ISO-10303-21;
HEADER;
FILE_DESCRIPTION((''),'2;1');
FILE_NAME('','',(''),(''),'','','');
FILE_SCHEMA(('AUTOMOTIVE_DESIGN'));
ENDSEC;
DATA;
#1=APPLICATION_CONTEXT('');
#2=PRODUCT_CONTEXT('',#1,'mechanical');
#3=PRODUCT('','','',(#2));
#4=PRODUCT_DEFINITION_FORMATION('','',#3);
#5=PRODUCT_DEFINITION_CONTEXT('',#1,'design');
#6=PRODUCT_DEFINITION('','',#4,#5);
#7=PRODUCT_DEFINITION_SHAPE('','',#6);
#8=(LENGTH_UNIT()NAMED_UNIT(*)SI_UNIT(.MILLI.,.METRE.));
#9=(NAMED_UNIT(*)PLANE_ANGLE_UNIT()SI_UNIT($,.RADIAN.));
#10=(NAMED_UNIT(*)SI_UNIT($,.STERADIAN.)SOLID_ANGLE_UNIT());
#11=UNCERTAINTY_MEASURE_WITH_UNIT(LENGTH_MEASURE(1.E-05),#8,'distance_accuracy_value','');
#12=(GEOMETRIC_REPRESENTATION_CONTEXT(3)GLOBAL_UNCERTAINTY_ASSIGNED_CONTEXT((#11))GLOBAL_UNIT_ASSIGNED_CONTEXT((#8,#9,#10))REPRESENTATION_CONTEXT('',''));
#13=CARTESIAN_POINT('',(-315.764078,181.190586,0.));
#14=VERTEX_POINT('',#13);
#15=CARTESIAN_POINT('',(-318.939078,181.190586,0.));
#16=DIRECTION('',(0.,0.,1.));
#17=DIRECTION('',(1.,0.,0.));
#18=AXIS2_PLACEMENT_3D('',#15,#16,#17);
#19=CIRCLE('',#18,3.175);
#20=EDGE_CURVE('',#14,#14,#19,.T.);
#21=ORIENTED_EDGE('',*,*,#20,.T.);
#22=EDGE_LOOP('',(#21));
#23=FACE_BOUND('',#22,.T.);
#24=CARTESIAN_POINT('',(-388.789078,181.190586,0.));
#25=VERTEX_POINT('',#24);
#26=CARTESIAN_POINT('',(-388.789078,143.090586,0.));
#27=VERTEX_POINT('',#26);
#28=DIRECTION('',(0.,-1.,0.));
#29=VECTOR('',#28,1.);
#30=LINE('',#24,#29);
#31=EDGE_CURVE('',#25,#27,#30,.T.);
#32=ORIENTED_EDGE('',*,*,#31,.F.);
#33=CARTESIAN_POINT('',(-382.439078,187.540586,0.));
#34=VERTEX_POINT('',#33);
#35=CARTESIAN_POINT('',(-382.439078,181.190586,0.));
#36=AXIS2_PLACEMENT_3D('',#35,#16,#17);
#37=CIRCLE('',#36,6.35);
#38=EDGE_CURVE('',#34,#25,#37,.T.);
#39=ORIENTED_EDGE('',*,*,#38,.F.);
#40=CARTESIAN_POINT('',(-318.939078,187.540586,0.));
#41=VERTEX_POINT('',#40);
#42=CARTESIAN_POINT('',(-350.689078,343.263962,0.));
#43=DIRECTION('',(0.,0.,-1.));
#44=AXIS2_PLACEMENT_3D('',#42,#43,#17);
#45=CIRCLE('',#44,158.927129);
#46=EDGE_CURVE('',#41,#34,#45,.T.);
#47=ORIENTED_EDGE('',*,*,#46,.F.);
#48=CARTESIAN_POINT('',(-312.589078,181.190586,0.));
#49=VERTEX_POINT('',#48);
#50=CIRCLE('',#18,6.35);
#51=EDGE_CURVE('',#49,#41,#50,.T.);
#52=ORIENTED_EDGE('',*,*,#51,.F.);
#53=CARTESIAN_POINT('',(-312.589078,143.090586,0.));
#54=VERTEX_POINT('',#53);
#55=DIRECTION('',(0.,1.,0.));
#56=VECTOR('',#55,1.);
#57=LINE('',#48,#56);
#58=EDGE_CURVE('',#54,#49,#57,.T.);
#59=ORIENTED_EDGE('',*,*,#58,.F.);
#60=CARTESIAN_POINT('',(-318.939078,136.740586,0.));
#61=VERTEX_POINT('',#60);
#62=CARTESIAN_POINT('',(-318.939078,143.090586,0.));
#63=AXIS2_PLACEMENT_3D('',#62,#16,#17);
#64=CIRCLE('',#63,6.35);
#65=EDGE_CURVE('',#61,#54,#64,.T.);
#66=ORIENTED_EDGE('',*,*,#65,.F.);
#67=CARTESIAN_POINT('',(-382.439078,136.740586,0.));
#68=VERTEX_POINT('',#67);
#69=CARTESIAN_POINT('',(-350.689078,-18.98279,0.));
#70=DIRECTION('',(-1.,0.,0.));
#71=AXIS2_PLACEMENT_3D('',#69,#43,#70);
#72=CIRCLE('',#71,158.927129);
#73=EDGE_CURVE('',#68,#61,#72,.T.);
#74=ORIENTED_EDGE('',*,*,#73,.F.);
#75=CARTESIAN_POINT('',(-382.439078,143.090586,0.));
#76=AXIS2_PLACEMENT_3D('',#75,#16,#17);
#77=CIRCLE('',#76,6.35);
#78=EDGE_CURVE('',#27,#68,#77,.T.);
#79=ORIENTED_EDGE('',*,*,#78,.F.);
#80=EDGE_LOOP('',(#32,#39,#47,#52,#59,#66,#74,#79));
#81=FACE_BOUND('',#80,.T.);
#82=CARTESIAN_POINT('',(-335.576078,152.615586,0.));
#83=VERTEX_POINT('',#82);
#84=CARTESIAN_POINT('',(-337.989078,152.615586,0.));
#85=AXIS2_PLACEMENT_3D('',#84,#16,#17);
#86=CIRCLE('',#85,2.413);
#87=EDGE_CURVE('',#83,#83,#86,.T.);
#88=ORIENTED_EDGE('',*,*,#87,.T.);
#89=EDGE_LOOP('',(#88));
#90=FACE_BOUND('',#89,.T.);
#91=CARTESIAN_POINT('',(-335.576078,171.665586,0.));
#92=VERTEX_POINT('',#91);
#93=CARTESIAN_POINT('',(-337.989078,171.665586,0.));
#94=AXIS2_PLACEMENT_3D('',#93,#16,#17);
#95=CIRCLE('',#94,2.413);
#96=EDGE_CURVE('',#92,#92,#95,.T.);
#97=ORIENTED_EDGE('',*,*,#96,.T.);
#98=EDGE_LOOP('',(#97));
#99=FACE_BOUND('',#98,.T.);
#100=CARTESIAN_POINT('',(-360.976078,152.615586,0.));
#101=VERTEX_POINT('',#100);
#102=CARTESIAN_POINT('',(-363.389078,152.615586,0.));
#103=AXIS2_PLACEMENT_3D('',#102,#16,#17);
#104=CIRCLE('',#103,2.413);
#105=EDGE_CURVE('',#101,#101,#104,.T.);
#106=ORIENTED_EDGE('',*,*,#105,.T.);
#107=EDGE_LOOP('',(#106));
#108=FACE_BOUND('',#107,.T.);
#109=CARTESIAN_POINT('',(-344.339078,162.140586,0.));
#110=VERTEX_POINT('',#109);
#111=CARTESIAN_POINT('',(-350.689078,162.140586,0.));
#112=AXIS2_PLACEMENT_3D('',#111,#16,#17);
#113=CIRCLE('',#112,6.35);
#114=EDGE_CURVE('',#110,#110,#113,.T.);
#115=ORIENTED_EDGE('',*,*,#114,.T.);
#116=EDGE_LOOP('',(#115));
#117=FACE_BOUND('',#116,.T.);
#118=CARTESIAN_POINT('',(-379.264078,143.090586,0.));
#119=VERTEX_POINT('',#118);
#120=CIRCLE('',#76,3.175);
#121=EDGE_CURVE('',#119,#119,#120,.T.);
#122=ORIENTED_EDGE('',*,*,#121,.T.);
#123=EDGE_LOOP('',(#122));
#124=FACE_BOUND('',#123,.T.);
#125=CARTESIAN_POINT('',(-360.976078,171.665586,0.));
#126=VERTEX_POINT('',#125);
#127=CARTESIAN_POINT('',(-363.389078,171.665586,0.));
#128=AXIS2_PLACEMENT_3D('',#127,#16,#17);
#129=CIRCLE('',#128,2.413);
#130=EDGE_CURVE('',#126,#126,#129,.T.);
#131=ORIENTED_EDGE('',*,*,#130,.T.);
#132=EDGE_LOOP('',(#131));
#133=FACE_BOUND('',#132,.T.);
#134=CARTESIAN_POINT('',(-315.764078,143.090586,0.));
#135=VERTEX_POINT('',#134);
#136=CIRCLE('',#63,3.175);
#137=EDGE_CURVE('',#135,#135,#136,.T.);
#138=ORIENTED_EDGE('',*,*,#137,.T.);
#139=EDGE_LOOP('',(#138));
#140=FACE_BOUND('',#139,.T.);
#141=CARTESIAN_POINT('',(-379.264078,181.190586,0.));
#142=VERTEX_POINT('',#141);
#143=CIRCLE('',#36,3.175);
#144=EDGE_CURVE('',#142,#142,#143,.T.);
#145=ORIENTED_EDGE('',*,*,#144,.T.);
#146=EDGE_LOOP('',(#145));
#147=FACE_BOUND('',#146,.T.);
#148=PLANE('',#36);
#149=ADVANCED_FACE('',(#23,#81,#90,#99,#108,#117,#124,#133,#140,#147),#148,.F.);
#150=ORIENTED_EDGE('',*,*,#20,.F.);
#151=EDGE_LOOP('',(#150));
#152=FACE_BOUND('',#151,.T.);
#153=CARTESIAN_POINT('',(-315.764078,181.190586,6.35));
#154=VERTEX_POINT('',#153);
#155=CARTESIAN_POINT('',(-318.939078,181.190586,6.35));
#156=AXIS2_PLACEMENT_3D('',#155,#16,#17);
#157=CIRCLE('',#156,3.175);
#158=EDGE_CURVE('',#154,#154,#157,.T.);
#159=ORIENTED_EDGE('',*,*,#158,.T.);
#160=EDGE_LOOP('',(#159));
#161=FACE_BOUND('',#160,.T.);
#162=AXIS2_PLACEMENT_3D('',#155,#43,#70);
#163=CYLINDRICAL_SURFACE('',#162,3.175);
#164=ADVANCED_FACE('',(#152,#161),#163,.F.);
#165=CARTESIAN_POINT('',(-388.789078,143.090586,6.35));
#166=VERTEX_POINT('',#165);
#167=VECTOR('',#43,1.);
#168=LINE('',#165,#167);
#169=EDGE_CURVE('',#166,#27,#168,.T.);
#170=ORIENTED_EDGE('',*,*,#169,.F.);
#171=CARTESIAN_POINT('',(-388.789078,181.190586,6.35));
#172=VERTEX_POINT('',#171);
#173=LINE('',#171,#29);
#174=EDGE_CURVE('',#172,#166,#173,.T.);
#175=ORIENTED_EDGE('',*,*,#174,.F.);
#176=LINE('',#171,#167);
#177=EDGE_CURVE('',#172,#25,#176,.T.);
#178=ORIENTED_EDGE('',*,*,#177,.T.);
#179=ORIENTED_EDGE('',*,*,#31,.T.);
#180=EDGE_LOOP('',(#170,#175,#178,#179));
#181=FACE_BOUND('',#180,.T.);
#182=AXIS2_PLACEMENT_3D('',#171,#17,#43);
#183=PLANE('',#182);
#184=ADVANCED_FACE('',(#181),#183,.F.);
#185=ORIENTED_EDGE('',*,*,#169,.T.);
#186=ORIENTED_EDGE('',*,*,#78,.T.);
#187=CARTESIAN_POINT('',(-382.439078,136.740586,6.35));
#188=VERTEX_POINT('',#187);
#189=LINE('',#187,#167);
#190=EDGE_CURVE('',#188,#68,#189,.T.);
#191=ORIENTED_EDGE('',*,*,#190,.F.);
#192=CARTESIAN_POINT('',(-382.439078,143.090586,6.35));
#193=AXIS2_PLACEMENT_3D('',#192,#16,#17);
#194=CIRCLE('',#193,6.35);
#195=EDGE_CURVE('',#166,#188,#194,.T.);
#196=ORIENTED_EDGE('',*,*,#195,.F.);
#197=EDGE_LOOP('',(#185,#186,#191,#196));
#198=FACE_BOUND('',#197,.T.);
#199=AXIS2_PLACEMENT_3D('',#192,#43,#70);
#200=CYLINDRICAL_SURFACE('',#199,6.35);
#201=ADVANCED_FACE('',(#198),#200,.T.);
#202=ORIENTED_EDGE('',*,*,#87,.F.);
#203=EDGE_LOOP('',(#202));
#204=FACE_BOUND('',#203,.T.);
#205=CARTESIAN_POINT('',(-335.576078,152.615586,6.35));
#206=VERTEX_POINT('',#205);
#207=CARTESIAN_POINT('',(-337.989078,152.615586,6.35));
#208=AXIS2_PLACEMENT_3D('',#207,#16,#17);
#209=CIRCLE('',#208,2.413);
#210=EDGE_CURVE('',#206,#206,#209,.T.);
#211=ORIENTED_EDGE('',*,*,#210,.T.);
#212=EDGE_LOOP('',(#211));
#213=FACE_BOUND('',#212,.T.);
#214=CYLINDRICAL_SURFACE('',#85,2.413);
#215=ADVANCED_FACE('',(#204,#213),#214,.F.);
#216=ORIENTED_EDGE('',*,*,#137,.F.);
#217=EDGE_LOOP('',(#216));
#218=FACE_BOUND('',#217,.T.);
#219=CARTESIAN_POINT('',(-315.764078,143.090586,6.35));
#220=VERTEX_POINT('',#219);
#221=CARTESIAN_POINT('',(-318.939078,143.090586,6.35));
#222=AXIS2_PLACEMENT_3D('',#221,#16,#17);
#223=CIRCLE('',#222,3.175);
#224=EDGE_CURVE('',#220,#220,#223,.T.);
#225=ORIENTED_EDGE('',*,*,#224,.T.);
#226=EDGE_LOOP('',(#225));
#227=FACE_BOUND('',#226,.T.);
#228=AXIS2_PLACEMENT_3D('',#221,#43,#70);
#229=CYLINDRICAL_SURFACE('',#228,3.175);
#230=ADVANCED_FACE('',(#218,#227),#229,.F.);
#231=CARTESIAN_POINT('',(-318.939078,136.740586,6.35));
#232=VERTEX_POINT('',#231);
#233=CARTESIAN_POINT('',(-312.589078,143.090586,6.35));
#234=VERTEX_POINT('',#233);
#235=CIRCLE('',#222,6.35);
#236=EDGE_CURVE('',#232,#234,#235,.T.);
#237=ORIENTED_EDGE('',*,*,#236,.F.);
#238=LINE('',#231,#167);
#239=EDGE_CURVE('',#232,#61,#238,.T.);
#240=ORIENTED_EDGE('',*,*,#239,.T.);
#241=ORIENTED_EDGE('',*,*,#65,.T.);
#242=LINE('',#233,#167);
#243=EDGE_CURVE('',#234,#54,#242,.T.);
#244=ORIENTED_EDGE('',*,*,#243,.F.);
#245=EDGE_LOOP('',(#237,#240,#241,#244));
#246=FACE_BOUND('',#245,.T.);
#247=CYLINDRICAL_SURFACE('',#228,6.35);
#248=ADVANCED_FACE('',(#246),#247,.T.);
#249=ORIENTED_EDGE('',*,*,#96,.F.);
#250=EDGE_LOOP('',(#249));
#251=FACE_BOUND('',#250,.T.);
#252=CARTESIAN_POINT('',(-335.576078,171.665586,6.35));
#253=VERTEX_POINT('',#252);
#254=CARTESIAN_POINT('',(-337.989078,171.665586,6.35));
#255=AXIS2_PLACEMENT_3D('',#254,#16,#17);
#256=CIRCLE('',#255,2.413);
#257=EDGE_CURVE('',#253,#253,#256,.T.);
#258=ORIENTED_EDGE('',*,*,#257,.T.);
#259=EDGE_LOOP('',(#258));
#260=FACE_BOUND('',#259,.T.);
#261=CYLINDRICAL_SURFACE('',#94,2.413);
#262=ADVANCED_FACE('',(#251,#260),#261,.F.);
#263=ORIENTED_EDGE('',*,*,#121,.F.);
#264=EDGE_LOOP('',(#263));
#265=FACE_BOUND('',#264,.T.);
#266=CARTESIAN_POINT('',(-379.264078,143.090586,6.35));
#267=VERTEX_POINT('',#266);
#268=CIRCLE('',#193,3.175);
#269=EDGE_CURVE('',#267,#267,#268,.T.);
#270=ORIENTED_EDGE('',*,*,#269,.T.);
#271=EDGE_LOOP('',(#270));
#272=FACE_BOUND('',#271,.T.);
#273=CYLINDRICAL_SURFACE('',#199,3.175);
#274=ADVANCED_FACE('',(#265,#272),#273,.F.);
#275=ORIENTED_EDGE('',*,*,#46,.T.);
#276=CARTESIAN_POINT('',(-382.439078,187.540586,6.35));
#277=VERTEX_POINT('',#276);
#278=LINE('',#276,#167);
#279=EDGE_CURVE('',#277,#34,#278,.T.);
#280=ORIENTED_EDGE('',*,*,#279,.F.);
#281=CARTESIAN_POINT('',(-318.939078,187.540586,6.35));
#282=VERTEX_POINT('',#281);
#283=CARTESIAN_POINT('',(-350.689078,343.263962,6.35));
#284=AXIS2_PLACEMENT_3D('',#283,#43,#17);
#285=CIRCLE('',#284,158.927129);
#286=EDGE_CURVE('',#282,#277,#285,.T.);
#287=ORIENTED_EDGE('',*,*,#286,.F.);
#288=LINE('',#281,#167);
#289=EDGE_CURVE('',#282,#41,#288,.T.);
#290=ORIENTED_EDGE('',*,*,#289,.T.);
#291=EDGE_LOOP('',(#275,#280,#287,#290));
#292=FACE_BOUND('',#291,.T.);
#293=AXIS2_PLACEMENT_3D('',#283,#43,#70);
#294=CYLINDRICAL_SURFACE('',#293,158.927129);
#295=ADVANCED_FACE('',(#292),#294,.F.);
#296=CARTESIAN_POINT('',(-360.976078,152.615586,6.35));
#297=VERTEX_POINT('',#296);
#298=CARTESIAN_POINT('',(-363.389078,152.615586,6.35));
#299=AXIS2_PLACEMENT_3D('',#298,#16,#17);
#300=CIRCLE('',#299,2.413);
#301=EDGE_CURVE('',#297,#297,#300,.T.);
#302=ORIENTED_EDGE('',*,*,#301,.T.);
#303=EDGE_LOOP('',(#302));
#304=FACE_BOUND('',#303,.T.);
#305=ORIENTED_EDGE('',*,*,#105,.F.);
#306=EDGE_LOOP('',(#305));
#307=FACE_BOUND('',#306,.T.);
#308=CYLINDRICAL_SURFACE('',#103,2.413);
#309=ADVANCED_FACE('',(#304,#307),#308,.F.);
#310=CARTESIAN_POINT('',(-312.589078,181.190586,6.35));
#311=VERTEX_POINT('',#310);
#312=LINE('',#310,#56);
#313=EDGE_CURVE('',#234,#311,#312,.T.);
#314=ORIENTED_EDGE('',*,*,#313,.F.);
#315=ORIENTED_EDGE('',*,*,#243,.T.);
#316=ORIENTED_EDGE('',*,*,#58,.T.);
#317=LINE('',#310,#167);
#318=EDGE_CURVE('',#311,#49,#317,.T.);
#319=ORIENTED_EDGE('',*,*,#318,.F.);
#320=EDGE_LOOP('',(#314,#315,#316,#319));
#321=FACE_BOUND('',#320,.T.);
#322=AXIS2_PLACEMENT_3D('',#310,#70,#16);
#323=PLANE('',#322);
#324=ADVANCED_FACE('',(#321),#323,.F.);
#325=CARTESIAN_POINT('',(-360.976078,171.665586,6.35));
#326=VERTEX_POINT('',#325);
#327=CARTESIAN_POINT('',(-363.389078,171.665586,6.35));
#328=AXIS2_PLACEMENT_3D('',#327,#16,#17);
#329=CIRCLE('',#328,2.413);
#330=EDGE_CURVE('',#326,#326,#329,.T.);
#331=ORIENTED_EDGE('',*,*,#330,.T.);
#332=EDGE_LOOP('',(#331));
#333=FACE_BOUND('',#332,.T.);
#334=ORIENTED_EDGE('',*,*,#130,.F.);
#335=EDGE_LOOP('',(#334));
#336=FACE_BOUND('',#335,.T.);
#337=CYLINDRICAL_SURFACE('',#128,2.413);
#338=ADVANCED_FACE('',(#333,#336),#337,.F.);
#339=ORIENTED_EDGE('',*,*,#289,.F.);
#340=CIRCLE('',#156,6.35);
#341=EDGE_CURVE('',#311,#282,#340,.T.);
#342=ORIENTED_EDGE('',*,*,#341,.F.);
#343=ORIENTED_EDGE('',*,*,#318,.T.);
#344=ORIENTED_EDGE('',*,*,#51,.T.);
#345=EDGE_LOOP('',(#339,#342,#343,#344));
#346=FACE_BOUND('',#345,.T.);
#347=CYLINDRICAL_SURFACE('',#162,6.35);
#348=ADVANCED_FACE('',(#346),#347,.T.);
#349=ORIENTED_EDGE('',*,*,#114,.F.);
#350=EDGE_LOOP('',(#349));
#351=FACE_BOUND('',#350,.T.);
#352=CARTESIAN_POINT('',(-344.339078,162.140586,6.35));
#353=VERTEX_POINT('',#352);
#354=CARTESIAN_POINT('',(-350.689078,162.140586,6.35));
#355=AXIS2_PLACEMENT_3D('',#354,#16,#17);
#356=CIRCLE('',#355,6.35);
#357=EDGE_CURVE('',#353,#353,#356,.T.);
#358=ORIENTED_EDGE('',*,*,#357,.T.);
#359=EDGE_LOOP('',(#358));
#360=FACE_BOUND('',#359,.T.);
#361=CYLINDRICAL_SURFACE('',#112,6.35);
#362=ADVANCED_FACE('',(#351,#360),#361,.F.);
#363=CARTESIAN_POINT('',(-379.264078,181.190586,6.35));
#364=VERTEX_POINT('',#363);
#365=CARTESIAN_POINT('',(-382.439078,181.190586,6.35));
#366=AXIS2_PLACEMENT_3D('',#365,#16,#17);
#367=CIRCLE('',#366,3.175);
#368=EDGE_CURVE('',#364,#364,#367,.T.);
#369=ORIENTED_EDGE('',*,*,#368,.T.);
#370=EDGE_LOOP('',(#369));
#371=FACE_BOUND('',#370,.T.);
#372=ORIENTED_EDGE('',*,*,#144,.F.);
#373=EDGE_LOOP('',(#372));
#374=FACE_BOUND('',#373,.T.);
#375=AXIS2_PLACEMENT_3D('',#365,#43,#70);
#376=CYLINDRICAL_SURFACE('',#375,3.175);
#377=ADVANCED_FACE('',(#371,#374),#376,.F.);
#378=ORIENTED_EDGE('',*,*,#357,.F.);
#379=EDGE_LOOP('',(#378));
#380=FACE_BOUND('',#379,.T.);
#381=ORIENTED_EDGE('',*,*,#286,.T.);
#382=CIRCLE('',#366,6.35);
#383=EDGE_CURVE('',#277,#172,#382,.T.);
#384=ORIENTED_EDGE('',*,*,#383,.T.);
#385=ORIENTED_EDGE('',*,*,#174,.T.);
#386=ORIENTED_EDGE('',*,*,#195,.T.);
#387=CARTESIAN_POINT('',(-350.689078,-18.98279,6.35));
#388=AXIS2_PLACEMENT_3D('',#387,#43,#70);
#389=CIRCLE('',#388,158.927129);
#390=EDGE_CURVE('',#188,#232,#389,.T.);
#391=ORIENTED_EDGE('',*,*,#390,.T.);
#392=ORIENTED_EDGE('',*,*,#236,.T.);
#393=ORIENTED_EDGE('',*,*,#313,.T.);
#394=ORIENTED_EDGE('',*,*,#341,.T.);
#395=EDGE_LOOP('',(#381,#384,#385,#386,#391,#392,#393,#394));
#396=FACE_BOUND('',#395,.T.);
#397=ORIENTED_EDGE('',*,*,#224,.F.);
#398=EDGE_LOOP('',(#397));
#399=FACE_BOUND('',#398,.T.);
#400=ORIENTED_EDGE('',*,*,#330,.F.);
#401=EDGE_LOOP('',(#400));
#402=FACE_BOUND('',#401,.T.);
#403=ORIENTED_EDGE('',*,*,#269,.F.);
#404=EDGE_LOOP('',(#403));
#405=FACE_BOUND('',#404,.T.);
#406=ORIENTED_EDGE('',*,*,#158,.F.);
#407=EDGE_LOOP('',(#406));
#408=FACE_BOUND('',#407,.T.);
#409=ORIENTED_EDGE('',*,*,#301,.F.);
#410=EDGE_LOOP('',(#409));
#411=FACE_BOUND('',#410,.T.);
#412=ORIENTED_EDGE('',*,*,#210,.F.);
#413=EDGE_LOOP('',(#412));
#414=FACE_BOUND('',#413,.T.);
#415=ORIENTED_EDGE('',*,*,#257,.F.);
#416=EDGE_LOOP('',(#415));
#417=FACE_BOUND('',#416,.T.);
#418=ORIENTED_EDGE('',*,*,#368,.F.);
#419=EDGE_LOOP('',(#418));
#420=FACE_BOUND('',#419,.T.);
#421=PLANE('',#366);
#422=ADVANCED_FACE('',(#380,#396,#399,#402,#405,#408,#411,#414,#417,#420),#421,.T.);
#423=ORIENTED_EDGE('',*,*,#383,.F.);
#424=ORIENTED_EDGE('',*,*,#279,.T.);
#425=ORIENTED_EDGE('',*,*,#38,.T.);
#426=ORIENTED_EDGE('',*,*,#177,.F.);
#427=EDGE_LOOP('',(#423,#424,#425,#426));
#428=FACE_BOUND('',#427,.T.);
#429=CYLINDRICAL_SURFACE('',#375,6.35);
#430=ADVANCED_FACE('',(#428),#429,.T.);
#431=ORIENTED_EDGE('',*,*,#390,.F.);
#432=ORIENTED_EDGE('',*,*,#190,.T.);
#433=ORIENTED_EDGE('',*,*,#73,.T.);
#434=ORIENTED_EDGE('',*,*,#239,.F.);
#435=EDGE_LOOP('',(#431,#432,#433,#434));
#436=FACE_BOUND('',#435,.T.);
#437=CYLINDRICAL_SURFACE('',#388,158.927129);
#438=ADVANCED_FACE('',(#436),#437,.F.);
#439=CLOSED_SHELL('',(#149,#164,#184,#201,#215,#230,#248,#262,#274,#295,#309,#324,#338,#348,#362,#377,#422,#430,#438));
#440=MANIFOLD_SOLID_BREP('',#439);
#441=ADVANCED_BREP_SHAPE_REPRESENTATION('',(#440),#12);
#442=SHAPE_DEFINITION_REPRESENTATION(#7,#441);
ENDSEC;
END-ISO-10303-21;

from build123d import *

# Parameters (mm, degrees)
SKETCH1_R           = 3.175
BOSS_EXTRUDE1_DEPTH = 6.35
SKETCH3_R           = 6.35
CUT_EXTRUDE1_DEPTH  = 6.35
SKETCH4_R           = 2.413
CUT_EXTRUDE2_DEPTH  = 6.35


with BuildPart() as part:
    # Sketch1 → Boss-Extrude1 (new body)
    with BuildSketch(Plane.XY):
        with BuildLine():
            Line((-388.789077681, 181.190585859), (-388.789077681, 143.090585859))
            ThreePointArc((-388.789077681, 143.090585859), (-386.929205741, 138.600457798), (-382.439077681, 136.740585859))
            ThreePointArc((-382.439077681, 136.740585859), (-350.689077681, 139.944338866), (-318.939077681, 136.740585859))
            ThreePointArc((-318.939077681, 136.740585859), (-314.44894962, 138.600457798), (-312.589077681, 143.090585859))
            Line((-312.589077681, 143.090585859), (-312.589077681, 181.190585859))
            ThreePointArc((-312.589077681, 181.190585859), (-314.44894962, 185.680713919), (-318.939077681, 187.540585859))
            ThreePointArc((-318.939077681, 187.540585859), (-350.689077681, 184.336832851), (-382.439077681, 187.540585859))
            ThreePointArc((-382.439077681, 187.540585859), (-386.929205741, 185.680713919), (-388.789077681, 181.190585859))
        make_face()
        with Locations((-382.439077681, 181.190585859)):
            Circle(SKETCH1_R, mode=Mode.SUBTRACT)
        with Locations((-318.939077681, 181.190585859)):
            Circle(SKETCH1_R, mode=Mode.SUBTRACT)
        with Locations((-382.439077681, 143.090585859)):
            Circle(SKETCH1_R, mode=Mode.SUBTRACT)
        with Locations((-318.939077681, 143.090585859)):
            Circle(SKETCH1_R, mode=Mode.SUBTRACT)
    extrude(amount=BOSS_EXTRUDE1_DEPTH)

    # Sketch3 → Cut-Extrude1 (cut)
    with BuildSketch(Plane.XY.offset(6.35)):
        with Locations((-350.689077681, 162.140585859)):
            Circle(SKETCH3_R)
    extrude(amount=-CUT_EXTRUDE1_DEPTH, mode=Mode.SUBTRACT)

    # Sketch4 → Cut-Extrude2 (cut)
    with BuildSketch(Plane.XY.offset(6.35)):
        with Locations((-337.989077681, 171.665585859)):
            Circle(SKETCH4_R)
        with Locations((-337.989077681, 152.615585859)):
            Circle(SKETCH4_R)
        with Locations((-363.389077681, 152.615585859)):
            Circle(SKETCH4_R)
        with Locations((-363.389077681, 171.665585859)):
            Circle(SKETCH4_R)
    extrude(amount=-CUT_EXTRUDE2_DEPTH, mode=Mode.SUBTRACT)


solid = part.part
